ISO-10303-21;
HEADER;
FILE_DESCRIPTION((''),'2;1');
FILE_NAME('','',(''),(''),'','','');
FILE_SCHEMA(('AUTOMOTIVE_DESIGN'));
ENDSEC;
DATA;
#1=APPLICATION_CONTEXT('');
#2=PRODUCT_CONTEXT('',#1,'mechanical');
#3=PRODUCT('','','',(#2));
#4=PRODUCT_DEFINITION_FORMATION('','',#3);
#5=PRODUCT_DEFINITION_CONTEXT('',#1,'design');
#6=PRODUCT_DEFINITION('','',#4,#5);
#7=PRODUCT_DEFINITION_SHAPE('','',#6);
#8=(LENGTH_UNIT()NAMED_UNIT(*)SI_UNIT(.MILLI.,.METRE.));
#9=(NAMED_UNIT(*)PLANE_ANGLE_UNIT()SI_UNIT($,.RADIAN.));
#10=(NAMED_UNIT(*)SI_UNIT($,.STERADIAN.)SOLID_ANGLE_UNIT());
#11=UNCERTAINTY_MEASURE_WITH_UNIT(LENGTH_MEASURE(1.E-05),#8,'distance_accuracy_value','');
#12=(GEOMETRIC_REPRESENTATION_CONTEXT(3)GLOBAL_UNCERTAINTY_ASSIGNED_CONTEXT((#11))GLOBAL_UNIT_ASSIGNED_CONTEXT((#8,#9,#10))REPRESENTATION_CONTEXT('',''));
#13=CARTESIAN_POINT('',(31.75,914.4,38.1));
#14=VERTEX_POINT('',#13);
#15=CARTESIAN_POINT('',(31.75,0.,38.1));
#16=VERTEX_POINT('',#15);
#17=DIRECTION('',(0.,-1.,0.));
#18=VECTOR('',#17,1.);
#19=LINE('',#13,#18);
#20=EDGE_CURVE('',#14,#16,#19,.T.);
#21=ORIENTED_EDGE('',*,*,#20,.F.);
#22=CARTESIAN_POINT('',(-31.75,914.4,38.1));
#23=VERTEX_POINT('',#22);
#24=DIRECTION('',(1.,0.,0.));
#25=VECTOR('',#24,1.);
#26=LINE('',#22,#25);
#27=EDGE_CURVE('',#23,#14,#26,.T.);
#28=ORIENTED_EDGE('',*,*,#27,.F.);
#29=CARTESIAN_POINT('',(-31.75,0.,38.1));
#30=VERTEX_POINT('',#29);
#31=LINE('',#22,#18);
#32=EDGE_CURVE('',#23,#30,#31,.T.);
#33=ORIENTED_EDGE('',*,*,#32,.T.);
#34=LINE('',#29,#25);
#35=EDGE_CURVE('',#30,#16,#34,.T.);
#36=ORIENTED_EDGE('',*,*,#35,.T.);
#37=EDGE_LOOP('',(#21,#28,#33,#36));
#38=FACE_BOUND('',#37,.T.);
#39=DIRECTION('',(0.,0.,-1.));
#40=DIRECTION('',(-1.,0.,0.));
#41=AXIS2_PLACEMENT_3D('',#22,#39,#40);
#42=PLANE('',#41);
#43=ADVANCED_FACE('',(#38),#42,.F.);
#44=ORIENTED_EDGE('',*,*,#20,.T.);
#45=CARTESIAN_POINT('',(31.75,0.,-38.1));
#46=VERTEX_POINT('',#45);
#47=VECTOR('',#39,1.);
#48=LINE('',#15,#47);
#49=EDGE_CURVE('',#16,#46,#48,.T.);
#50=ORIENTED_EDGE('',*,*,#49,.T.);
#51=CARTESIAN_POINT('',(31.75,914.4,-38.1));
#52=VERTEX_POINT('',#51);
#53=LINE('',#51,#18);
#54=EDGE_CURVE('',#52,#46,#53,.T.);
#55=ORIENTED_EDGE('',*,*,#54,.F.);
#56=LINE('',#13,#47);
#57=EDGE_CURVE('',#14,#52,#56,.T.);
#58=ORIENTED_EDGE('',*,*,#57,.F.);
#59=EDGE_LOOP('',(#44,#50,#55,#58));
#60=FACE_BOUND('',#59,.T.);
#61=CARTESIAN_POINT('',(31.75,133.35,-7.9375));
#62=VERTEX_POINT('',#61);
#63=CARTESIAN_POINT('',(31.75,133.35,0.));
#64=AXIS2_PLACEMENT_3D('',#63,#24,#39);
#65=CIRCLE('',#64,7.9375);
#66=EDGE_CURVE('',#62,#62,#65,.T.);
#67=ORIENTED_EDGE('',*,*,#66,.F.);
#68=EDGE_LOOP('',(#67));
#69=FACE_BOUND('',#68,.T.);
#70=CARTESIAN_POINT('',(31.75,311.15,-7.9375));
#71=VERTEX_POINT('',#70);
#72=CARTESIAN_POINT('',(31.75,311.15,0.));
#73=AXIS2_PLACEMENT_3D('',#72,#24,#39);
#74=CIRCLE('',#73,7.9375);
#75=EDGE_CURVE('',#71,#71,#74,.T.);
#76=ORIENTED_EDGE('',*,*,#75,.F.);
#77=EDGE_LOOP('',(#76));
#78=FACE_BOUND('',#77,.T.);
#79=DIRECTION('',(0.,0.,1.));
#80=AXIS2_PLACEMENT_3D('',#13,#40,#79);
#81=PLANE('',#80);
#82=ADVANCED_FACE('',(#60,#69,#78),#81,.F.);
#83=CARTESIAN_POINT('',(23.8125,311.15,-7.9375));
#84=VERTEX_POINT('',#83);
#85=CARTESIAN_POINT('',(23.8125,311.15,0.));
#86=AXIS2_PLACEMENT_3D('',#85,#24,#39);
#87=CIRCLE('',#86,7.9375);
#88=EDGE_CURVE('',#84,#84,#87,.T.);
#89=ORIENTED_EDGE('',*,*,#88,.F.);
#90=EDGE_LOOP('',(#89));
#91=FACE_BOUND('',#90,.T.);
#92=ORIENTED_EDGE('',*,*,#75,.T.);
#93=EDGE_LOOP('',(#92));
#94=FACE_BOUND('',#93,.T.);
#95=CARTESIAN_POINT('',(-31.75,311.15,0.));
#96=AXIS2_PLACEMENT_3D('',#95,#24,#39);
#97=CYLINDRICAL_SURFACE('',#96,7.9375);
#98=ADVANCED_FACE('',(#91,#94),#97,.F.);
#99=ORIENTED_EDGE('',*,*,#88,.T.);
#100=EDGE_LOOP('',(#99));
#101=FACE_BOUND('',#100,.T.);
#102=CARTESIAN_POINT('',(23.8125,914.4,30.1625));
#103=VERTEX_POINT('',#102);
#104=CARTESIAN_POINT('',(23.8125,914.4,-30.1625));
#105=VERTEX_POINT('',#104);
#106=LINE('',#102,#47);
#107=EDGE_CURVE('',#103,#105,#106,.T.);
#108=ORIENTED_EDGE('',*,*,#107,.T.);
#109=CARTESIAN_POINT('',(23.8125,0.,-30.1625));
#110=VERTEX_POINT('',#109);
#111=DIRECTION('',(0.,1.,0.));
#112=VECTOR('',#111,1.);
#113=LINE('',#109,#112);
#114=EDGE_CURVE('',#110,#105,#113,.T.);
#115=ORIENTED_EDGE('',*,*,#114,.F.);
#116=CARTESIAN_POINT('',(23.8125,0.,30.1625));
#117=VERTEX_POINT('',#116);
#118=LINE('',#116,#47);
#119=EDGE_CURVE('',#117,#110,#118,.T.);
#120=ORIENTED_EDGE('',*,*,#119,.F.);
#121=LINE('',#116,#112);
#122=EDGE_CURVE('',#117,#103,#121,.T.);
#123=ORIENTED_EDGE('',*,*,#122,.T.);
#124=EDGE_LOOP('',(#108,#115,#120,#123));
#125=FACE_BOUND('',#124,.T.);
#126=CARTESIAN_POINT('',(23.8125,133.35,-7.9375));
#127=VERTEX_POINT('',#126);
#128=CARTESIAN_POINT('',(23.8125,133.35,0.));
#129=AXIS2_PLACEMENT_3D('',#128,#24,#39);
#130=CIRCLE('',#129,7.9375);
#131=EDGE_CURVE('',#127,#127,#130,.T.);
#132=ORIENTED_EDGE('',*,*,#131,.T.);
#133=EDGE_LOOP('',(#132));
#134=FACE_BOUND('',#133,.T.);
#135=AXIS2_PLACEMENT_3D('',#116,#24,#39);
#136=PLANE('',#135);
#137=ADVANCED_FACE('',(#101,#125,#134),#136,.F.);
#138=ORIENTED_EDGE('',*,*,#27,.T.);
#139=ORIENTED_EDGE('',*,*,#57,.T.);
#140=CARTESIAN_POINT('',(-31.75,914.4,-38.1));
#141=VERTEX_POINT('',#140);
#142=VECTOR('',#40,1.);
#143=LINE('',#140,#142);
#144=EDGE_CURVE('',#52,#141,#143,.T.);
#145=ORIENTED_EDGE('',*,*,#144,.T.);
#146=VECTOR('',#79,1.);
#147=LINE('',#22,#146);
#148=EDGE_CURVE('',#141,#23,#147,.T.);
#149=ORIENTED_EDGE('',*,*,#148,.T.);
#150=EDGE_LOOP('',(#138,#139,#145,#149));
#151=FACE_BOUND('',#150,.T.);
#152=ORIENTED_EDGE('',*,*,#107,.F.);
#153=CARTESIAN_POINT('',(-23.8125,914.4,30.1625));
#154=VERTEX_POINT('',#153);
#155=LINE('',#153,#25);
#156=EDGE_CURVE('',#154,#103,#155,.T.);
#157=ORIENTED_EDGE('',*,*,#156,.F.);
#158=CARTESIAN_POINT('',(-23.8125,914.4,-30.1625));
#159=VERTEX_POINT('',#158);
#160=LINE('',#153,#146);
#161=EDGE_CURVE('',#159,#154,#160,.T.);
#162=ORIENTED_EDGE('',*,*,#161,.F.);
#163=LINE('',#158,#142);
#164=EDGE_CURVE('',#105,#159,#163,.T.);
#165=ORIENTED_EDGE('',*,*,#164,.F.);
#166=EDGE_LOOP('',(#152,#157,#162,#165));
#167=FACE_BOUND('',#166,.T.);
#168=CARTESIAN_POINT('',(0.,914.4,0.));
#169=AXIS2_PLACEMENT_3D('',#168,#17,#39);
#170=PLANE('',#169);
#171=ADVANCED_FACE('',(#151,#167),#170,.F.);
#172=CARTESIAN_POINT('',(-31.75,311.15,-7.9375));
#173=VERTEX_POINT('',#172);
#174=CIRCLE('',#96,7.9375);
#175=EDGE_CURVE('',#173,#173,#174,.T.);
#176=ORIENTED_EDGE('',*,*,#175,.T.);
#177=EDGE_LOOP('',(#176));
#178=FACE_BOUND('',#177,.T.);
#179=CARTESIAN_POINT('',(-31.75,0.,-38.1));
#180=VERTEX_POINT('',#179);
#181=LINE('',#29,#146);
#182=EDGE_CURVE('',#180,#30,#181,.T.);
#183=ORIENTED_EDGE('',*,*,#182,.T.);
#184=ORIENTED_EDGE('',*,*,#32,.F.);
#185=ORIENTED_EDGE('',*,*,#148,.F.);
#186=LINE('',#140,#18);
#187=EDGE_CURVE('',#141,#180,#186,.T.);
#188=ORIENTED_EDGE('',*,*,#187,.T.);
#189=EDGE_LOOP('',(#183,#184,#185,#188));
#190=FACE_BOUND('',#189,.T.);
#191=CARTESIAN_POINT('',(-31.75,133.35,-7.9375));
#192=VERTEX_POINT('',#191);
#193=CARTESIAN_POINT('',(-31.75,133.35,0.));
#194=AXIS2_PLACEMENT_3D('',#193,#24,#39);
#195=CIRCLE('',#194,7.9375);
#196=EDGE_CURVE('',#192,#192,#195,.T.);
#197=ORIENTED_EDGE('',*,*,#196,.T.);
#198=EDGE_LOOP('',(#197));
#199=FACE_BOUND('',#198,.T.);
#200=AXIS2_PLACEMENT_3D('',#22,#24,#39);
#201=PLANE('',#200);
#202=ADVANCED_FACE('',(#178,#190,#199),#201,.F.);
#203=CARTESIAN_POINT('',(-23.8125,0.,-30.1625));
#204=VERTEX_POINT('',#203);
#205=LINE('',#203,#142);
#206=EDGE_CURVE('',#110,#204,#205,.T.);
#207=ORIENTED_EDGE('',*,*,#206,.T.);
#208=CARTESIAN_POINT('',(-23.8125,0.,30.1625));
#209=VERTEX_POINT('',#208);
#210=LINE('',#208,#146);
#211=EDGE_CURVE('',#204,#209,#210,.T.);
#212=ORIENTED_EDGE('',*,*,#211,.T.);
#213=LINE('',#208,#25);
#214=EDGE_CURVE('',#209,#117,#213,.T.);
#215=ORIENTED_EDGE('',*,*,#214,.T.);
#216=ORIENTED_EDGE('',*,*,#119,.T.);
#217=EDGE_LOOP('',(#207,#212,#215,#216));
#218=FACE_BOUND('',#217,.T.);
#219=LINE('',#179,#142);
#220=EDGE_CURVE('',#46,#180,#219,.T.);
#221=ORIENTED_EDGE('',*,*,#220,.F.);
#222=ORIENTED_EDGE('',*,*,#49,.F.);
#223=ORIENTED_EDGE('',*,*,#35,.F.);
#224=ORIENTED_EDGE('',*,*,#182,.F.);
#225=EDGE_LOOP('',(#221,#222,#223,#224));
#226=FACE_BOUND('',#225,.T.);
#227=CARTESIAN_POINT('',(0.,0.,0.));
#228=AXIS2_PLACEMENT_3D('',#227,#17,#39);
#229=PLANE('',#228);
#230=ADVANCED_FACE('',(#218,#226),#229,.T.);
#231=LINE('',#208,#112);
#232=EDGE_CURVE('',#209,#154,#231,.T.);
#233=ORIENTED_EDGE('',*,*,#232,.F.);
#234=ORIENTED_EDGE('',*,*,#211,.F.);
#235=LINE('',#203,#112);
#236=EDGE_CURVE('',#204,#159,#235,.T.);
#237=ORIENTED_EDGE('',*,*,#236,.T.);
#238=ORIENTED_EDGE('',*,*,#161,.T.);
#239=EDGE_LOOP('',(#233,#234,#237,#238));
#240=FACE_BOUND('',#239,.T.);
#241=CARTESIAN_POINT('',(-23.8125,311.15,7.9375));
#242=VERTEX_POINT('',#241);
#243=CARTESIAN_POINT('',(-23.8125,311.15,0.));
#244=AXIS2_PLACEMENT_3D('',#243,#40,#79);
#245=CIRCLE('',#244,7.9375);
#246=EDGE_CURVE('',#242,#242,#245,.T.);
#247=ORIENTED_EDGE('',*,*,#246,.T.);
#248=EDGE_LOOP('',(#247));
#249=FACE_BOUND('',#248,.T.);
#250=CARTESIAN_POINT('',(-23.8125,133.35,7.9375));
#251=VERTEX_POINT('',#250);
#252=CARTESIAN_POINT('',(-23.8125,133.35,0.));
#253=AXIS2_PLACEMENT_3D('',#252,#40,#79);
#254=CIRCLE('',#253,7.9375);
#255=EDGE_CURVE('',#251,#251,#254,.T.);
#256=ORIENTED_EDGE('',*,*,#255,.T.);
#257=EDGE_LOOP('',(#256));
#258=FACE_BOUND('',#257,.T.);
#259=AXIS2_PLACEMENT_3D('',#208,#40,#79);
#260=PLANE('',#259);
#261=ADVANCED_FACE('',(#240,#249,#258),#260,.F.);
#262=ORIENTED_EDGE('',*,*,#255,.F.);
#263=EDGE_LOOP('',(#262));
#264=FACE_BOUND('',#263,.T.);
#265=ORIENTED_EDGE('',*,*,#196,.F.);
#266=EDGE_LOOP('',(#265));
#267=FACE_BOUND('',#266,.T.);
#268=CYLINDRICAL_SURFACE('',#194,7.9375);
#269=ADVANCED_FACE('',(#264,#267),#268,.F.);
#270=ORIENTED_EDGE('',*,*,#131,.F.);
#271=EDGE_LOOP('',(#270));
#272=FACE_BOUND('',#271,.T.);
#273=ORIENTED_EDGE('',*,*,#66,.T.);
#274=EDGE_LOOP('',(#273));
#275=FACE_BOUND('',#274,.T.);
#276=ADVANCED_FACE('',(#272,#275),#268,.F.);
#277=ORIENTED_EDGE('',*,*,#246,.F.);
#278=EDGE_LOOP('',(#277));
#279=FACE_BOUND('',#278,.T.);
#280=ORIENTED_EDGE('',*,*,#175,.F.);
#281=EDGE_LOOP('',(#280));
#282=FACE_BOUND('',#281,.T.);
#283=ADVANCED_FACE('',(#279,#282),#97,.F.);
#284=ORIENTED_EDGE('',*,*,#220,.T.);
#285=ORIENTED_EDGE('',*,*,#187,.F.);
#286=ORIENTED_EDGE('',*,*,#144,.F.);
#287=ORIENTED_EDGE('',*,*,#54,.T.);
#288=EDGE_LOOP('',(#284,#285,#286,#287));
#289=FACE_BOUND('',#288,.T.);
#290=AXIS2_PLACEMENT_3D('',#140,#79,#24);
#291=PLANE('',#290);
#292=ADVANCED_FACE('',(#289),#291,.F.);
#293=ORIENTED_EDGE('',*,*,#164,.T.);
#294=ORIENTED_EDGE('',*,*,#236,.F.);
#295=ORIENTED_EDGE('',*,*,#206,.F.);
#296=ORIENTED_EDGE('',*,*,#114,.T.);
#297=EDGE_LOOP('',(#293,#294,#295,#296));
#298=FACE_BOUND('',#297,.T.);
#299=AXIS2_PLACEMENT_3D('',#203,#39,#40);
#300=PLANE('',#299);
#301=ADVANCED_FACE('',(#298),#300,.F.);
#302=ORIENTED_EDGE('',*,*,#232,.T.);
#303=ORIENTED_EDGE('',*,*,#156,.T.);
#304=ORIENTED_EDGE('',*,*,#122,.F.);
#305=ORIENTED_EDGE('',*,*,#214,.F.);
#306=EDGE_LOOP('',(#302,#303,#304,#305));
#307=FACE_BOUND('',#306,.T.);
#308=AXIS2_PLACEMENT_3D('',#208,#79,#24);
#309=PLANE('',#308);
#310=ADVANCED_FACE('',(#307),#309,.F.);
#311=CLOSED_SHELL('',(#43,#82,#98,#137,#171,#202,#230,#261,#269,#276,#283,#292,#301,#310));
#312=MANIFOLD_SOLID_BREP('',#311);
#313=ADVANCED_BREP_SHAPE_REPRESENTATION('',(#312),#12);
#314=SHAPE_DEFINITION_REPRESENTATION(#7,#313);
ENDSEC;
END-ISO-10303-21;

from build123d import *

# Parameters (mm, degrees)
SKETCH1_W           = 63.5
SKETCH1_H           = 76.2
BOSS_EXTRUDE1_DEPTH = 914.4
SKETCH2_W           = 47.625
SKETCH2_H           = 60.325
CUT_EXTRUDE1_DEPTH  = 916.743977594
SKETCH3_R           = 7.9375
CUT_EXTRUDE2_DEPTH  = 918.393710465


with BuildPart() as part:
    # Sketch1 → Boss-Extrude1 (new body)
    with BuildSketch(Plane(origin=(0, 0, 0), x_dir=(1, 0, 0), z_dir=(0, 1, 0))):
        Rectangle(SKETCH1_W, SKETCH1_H)
    extrude(amount=BOSS_EXTRUDE1_DEPTH)

    # Sketch2 → Cut-Extrude1 (cut, through all)
    with BuildSketch(Plane(origin=(0, 914.4, 0), x_dir=(1, 0, 0), z_dir=(0, 1, 0))):
        Rectangle(SKETCH2_W, SKETCH2_H)
    extrude(amount=-CUT_EXTRUDE1_DEPTH, mode=Mode.SUBTRACT)

    # Sketch3 → Cut-Extrude2 (cut, through all)
    with BuildSketch(Plane(origin=(31.75, 0, 0), x_dir=(0, 0, -1), z_dir=(1, 0, 0))):
        with Locations((0, 311.15)):
            Circle(SKETCH3_R)
        with Locations((0, 133.35)):
            Circle(SKETCH3_R)
    extrude(amount=-CUT_EXTRUDE2_DEPTH, mode=Mode.SUBTRACT)


solid = part.part
